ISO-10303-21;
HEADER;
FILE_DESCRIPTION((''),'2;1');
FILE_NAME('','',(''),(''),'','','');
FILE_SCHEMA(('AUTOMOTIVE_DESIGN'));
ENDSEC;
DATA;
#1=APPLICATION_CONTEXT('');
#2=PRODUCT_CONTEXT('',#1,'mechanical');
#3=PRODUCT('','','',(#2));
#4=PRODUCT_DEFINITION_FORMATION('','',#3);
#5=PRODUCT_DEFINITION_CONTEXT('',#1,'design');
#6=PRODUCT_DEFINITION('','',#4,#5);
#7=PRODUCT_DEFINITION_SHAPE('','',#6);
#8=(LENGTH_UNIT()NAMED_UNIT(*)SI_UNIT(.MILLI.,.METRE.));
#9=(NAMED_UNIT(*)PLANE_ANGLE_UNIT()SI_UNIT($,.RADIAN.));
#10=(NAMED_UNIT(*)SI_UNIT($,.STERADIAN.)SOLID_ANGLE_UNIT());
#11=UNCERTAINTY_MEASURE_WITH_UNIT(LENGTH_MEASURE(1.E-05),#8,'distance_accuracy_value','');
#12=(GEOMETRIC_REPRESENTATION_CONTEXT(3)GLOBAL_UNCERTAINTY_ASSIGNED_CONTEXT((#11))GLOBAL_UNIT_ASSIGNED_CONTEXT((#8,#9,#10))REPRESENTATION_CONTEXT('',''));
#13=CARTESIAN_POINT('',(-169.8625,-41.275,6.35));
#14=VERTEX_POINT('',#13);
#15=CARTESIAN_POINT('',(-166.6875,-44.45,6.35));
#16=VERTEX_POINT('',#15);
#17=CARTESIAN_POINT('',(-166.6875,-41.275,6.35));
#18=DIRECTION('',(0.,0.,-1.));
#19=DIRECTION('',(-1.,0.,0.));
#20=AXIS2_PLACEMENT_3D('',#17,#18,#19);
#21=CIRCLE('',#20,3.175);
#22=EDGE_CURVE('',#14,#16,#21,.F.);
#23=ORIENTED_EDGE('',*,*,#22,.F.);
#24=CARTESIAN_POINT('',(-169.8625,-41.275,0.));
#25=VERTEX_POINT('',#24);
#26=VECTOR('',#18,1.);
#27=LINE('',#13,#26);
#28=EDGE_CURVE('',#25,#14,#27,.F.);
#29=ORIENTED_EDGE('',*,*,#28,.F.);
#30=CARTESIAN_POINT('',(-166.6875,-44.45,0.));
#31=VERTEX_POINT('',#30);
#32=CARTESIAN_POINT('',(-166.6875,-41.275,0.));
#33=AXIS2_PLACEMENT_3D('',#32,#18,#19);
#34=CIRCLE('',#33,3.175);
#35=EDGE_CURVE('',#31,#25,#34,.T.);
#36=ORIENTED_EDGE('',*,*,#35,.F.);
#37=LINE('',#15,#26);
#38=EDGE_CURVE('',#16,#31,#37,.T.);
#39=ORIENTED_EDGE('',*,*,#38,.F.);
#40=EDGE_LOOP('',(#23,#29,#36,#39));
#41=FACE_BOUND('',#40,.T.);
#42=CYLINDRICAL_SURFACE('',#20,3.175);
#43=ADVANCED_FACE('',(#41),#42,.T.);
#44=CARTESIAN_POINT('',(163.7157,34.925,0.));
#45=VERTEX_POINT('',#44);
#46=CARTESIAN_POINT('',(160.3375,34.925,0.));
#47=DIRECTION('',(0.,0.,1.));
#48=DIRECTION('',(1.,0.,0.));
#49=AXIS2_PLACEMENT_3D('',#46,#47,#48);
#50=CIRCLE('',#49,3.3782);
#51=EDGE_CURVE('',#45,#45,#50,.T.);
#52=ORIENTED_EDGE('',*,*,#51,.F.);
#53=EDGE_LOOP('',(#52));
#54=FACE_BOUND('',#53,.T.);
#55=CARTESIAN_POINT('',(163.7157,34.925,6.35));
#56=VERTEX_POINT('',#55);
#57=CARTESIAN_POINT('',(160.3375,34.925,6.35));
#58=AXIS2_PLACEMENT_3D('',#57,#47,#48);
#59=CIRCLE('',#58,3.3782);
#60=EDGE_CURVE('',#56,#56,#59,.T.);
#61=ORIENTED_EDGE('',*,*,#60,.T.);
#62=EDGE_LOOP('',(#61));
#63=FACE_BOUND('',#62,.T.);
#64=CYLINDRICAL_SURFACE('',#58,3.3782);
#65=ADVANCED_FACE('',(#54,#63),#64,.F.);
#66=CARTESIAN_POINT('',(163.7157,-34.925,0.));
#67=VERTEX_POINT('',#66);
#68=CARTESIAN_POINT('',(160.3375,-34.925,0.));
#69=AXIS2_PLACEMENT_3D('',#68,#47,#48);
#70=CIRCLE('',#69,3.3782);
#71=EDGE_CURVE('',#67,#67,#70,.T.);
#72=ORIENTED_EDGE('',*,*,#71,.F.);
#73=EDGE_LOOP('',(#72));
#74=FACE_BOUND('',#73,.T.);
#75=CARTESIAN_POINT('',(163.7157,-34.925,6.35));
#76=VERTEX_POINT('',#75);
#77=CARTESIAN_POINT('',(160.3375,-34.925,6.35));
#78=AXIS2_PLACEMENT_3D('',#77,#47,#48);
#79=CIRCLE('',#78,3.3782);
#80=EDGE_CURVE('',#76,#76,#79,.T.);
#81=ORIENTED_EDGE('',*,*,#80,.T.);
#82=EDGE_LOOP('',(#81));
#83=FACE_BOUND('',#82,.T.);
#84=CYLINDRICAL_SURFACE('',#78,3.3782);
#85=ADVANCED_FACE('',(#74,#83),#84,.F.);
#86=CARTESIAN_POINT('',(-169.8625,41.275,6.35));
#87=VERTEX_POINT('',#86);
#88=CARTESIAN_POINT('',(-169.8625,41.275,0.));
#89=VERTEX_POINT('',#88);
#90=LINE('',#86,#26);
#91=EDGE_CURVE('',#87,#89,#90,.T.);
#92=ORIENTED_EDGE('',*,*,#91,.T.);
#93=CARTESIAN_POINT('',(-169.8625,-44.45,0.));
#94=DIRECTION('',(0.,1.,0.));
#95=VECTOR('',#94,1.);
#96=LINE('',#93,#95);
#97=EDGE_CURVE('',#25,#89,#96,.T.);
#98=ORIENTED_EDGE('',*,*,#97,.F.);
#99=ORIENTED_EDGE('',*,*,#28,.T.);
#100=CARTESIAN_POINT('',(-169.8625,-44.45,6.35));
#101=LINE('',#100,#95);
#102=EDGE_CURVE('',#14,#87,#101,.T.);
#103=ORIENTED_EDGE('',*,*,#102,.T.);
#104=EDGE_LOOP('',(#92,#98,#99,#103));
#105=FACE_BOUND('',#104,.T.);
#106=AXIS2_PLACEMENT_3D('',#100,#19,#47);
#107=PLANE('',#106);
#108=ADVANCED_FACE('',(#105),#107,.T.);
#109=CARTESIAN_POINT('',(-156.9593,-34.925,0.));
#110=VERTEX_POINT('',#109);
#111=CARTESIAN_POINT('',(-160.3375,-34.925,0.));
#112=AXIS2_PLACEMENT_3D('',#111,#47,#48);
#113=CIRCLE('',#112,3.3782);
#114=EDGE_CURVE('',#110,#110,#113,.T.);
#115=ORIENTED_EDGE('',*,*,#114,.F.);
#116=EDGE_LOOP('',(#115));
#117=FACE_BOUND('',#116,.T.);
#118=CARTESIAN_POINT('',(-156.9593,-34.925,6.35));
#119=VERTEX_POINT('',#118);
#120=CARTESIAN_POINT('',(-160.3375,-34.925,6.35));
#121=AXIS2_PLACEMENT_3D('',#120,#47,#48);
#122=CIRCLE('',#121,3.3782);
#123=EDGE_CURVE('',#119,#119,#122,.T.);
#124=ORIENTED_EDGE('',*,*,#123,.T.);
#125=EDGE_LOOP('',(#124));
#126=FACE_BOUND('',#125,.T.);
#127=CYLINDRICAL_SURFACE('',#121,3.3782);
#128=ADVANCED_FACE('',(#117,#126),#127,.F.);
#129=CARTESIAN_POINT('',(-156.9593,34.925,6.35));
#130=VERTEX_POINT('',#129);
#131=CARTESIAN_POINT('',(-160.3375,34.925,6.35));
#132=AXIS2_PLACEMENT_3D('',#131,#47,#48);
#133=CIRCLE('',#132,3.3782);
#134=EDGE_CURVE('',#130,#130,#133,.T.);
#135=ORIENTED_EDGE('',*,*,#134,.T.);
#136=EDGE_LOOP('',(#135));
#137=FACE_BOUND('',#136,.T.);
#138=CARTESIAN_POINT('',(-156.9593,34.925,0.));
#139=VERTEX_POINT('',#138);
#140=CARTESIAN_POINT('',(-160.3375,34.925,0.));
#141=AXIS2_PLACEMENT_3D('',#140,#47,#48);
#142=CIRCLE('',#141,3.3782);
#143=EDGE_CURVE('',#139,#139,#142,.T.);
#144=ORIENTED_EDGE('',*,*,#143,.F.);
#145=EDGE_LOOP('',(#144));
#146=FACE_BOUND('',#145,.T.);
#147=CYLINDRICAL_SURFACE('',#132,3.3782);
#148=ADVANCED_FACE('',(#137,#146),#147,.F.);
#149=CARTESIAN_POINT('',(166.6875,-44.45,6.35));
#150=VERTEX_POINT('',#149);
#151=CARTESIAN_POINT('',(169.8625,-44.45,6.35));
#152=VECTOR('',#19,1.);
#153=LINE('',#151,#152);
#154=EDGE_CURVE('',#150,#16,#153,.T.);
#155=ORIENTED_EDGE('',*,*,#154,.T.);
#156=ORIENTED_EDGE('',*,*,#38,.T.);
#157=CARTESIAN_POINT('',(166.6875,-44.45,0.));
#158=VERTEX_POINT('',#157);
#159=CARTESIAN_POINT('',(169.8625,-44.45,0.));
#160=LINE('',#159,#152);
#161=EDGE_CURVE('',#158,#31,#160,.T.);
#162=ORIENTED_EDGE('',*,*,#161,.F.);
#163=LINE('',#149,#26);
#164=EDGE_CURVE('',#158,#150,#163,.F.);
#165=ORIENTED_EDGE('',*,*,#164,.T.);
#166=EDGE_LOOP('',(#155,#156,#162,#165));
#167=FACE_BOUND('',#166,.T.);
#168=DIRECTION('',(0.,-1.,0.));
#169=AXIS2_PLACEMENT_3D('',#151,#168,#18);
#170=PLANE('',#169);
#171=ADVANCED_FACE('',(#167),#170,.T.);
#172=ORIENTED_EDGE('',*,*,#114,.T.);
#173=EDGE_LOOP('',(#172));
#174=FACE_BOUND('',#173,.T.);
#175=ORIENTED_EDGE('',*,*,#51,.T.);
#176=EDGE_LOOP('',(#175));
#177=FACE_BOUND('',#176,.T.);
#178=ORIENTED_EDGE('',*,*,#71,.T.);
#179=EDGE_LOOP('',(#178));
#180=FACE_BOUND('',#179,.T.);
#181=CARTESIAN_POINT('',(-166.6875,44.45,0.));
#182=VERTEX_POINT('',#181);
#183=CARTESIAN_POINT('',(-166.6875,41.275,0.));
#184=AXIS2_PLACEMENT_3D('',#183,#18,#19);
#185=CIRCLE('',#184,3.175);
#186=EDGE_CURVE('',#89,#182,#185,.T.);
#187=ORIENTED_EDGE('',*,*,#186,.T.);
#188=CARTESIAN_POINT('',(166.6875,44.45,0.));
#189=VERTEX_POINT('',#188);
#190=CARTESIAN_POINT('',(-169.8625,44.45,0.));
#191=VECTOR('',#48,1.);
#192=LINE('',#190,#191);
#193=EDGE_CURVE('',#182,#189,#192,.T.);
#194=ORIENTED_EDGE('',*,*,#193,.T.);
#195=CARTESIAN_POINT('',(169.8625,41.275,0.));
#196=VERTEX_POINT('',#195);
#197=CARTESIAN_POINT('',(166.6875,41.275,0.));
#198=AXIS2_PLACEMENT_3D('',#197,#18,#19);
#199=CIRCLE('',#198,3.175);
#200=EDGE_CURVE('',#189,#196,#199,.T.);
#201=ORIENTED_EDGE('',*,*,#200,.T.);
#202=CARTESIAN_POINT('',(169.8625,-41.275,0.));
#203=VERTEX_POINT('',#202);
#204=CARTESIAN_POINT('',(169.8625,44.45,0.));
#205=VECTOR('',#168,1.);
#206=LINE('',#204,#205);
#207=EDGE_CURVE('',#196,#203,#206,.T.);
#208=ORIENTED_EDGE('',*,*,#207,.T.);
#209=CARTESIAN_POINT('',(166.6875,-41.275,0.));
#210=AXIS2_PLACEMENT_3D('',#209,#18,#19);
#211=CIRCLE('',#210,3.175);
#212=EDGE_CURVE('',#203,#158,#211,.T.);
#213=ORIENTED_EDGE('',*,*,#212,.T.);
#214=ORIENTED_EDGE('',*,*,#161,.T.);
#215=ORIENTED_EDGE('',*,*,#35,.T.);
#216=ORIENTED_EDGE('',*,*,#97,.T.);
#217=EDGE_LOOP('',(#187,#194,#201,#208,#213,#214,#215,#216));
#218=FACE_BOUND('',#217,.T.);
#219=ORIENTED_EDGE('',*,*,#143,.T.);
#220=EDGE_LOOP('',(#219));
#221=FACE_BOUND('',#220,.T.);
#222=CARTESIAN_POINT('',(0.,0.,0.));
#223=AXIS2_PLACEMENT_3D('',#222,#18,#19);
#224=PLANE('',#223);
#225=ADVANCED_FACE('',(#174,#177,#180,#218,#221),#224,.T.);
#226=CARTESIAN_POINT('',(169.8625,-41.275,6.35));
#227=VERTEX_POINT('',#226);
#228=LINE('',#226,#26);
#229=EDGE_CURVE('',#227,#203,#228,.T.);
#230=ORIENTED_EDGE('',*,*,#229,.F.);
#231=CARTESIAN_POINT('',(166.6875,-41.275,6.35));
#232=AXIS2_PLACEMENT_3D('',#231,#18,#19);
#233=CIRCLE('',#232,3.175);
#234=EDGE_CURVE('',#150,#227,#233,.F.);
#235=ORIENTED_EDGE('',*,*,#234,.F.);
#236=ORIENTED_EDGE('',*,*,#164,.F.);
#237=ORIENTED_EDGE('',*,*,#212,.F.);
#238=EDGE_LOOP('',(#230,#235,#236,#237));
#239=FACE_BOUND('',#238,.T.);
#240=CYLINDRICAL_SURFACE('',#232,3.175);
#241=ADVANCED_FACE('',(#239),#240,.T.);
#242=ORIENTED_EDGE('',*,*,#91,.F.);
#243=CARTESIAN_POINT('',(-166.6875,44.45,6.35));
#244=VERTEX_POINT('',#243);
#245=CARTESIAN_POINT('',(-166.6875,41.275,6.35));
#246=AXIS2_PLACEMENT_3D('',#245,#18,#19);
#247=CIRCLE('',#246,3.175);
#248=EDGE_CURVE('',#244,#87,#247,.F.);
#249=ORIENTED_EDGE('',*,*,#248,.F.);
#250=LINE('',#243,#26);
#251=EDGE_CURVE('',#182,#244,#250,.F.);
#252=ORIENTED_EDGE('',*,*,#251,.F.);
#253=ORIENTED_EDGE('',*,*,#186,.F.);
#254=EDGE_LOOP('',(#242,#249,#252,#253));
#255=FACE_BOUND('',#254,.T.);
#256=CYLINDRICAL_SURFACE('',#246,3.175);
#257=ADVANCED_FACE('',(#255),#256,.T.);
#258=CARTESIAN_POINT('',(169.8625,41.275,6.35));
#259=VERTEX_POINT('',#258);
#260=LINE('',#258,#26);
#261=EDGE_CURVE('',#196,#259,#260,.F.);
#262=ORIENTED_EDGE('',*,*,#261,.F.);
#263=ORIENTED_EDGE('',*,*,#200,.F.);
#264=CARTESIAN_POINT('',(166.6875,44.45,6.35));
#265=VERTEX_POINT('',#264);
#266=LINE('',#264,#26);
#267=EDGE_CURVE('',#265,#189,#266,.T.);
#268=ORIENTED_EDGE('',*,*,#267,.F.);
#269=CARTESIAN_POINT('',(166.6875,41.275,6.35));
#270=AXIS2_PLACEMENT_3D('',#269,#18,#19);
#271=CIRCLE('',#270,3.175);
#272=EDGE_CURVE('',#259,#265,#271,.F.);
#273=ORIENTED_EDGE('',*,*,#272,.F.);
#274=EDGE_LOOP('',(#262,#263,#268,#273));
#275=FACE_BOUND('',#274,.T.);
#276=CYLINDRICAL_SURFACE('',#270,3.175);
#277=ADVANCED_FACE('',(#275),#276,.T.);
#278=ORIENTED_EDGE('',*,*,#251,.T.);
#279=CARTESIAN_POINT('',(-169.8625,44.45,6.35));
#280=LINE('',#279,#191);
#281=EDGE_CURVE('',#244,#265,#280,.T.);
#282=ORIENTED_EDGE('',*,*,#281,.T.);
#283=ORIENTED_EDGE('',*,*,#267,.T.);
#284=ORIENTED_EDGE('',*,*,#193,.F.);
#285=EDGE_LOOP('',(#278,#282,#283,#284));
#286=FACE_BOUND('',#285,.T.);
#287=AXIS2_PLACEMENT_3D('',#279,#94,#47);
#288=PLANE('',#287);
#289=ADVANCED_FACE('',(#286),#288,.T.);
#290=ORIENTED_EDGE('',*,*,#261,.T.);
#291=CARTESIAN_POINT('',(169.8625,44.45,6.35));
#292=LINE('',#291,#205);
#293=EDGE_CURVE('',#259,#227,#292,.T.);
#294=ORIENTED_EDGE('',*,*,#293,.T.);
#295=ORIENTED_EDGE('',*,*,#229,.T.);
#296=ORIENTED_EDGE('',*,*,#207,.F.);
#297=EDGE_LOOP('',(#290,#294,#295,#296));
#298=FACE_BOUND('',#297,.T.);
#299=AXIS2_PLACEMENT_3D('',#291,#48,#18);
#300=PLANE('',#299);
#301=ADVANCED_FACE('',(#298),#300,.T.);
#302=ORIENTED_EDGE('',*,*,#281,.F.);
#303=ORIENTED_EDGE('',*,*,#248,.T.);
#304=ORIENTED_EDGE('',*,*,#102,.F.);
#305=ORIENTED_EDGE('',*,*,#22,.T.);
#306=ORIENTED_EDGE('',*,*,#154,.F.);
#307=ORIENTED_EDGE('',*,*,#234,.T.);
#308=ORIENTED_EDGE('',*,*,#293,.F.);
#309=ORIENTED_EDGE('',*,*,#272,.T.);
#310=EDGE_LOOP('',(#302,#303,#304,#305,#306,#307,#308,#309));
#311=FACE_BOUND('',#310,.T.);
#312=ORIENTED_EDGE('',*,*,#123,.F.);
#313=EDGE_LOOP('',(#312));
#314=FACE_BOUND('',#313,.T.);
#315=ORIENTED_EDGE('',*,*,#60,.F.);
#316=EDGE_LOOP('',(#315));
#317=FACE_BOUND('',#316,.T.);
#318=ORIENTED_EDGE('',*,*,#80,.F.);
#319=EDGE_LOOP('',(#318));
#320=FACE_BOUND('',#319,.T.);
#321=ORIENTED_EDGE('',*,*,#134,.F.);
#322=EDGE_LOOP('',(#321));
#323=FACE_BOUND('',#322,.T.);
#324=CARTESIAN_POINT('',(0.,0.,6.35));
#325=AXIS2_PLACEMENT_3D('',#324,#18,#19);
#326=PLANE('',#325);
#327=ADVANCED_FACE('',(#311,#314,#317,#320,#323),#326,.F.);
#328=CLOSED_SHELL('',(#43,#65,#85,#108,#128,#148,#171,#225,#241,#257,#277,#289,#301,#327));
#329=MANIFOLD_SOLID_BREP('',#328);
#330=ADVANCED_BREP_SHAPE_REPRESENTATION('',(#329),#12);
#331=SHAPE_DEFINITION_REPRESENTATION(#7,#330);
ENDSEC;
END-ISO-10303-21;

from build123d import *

# Parameters (mm, degrees)
SKETCH1_W               = 339.725
SKETCH1_H               = 88.9
BOSS_EXTRUDE1_DEPTH     = 6.35
F_1_4_CLEARANCE_HOLE1_D = 6.7564
FILLET1_R               = 3.175


with BuildPart() as part:
    # Sketch1 → Boss-Extrude1 (new body)
    with BuildSketch(Plane(origin=(0, 0, 0), x_dir=(-1, 0, 0), z_dir=(0, 0, -1))):
        Rectangle(SKETCH1_W, SKETCH1_H)
    extrude(amount=-BOSS_EXTRUDE1_DEPTH)

    # 1/4 Clearance Hole1 (through all)
    with Locations(Plane.XY.offset(6.35)):
        with Locations((-160.3375, 34.925), (-160.3375, -34.925), (160.3375, 34.925), (160.3375, -34.925)):
            Hole(F_1_4_CLEARANCE_HOLE1_D / 2)

    # Fillet1
    fillet1_edges = [part.edges().sort_by_distance(p)[0] for p in [
        (169.8625, 44.45, 3.175),
        (-169.8625, 44.45, 3.175),
        (-169.8625, -44.45, 3.175),
        (169.8625, -44.45, 3.175),
    ]]
    fillet(fillet1_edges, radius=FILLET1_R)


solid = part.part
